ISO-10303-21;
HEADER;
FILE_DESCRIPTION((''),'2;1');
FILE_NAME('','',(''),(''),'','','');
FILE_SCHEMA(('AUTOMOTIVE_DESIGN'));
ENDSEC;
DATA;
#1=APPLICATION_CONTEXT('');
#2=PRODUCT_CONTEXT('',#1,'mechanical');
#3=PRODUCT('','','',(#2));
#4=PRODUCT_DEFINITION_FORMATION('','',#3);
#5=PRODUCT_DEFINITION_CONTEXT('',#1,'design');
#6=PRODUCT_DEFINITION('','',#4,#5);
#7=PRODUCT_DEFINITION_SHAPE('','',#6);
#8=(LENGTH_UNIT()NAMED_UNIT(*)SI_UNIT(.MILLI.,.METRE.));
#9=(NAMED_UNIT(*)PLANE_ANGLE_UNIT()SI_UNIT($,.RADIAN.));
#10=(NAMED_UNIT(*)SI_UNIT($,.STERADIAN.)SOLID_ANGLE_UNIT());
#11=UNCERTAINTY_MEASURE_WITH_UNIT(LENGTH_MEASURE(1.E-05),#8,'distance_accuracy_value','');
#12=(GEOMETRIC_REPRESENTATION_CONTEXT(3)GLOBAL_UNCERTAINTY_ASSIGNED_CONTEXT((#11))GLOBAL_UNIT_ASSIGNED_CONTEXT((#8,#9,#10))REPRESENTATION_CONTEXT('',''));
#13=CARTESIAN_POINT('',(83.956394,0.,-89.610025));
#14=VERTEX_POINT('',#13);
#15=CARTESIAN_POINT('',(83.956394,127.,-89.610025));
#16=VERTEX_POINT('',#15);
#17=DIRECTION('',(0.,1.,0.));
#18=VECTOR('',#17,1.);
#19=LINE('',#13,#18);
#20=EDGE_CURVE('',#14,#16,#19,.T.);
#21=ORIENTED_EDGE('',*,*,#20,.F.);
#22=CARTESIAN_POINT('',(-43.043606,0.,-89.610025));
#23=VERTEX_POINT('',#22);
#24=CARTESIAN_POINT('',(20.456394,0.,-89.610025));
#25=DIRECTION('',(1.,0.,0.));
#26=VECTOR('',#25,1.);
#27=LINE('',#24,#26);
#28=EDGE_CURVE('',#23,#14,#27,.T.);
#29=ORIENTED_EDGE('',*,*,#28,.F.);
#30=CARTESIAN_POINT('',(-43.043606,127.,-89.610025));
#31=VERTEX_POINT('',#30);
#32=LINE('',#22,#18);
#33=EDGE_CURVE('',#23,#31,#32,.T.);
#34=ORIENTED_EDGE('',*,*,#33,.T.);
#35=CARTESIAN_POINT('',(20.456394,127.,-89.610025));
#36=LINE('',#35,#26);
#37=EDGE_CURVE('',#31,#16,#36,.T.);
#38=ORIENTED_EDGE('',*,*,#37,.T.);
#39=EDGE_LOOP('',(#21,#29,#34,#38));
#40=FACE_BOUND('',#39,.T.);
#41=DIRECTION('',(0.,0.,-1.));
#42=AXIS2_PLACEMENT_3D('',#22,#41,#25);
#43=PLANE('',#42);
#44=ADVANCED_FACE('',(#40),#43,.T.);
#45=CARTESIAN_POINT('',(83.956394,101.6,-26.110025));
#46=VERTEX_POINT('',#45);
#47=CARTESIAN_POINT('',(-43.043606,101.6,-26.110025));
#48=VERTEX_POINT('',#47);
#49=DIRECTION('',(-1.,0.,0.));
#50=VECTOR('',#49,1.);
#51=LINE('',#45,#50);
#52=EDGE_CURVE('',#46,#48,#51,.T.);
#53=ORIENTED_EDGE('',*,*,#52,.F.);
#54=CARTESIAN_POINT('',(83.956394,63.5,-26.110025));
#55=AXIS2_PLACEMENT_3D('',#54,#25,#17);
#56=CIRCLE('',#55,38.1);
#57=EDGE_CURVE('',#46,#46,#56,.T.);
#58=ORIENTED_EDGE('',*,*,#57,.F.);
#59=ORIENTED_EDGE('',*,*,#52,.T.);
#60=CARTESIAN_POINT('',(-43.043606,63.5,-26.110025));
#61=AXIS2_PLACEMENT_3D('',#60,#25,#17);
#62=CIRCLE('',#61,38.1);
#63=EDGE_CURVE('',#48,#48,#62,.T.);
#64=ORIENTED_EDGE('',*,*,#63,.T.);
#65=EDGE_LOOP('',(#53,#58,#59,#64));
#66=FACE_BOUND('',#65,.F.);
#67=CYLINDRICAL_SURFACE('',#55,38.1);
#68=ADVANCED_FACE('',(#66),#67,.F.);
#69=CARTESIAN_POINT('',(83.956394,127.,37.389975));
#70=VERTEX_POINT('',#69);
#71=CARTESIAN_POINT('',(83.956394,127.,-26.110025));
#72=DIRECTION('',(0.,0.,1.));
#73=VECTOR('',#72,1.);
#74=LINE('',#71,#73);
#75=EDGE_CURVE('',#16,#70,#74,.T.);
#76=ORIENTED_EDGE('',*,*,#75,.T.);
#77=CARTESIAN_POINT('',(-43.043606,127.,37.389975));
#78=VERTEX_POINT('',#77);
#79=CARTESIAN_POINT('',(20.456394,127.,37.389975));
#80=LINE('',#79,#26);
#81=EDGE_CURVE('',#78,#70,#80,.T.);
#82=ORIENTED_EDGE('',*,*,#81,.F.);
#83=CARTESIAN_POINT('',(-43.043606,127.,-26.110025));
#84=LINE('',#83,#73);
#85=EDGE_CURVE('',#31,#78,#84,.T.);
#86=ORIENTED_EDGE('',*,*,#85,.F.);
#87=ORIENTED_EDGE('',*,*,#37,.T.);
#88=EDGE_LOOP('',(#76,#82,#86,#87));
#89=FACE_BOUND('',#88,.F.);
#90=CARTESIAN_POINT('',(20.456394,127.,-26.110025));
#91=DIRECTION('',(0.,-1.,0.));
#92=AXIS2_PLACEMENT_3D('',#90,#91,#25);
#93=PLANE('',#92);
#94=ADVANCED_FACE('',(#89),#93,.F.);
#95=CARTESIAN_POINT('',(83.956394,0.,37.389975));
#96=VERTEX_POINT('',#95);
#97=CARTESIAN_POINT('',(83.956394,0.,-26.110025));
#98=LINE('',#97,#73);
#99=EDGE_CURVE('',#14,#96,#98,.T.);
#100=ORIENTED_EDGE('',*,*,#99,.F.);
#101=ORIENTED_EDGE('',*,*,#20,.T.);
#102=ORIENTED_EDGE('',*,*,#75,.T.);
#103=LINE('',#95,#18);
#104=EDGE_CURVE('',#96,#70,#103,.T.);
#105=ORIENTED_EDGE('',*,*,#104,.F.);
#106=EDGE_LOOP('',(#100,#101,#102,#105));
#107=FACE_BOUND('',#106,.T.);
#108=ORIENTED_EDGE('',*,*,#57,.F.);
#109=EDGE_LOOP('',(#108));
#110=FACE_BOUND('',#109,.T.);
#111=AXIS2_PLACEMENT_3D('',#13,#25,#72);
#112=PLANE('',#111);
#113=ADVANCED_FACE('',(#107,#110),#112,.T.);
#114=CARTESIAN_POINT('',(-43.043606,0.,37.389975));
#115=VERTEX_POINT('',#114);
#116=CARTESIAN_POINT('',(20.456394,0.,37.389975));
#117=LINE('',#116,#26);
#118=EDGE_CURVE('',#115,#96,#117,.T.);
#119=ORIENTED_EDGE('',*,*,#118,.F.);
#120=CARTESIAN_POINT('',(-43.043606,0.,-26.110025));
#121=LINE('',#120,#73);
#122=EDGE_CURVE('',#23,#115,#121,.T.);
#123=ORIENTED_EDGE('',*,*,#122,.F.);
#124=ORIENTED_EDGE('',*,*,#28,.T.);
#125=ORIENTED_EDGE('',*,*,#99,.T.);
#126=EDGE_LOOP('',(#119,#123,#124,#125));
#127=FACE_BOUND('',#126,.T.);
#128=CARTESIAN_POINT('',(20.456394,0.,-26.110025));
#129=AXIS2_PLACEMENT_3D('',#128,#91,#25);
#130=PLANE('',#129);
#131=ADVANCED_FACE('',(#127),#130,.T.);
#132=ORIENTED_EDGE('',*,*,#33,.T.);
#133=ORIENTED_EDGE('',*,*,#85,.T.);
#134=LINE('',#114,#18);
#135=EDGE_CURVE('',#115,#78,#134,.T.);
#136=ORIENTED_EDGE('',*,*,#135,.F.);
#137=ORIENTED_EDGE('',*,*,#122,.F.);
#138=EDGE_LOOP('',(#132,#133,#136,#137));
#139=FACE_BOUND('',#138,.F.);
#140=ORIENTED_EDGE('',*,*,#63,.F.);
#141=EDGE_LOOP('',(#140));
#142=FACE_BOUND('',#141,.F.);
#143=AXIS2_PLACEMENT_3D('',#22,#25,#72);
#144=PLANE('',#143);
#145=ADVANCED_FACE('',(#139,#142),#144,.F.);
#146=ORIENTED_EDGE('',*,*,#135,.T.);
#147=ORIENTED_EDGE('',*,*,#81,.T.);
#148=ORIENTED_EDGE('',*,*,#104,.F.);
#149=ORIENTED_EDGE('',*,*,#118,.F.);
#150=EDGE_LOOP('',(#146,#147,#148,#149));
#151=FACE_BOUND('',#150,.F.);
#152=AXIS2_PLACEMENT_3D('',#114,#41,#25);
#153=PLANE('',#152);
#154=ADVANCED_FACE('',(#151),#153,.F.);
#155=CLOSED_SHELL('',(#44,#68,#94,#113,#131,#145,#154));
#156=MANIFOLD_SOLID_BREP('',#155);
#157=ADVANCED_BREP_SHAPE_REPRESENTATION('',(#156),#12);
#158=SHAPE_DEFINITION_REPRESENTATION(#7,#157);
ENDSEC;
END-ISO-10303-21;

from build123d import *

# Parameters (mm, degrees)
F0_W     = 127
F0_H     = 127
F1_DEPTH = 127
F2_R     = 38.1
F3_DEPTH = 127.001


with BuildPart() as f1:
    # F0 (on Front) → F1 (new body)
    with BuildSketch(Plane.XZ):
        with Locations((20.456394, -26.110025)):
            Rectangle(F0_W, F0_H)
    extrude(amount=-F1_DEPTH)

    # F2 (on face) → F3 (cut, through all)
    with BuildSketch(Plane.YZ.offset(83.956394)):
        with Locations((63.5, -26.110025)):
            Circle(F2_R)
    extrude(amount=-F3_DEPTH, mode=Mode.SUBTRACT)


solid = f1.part
